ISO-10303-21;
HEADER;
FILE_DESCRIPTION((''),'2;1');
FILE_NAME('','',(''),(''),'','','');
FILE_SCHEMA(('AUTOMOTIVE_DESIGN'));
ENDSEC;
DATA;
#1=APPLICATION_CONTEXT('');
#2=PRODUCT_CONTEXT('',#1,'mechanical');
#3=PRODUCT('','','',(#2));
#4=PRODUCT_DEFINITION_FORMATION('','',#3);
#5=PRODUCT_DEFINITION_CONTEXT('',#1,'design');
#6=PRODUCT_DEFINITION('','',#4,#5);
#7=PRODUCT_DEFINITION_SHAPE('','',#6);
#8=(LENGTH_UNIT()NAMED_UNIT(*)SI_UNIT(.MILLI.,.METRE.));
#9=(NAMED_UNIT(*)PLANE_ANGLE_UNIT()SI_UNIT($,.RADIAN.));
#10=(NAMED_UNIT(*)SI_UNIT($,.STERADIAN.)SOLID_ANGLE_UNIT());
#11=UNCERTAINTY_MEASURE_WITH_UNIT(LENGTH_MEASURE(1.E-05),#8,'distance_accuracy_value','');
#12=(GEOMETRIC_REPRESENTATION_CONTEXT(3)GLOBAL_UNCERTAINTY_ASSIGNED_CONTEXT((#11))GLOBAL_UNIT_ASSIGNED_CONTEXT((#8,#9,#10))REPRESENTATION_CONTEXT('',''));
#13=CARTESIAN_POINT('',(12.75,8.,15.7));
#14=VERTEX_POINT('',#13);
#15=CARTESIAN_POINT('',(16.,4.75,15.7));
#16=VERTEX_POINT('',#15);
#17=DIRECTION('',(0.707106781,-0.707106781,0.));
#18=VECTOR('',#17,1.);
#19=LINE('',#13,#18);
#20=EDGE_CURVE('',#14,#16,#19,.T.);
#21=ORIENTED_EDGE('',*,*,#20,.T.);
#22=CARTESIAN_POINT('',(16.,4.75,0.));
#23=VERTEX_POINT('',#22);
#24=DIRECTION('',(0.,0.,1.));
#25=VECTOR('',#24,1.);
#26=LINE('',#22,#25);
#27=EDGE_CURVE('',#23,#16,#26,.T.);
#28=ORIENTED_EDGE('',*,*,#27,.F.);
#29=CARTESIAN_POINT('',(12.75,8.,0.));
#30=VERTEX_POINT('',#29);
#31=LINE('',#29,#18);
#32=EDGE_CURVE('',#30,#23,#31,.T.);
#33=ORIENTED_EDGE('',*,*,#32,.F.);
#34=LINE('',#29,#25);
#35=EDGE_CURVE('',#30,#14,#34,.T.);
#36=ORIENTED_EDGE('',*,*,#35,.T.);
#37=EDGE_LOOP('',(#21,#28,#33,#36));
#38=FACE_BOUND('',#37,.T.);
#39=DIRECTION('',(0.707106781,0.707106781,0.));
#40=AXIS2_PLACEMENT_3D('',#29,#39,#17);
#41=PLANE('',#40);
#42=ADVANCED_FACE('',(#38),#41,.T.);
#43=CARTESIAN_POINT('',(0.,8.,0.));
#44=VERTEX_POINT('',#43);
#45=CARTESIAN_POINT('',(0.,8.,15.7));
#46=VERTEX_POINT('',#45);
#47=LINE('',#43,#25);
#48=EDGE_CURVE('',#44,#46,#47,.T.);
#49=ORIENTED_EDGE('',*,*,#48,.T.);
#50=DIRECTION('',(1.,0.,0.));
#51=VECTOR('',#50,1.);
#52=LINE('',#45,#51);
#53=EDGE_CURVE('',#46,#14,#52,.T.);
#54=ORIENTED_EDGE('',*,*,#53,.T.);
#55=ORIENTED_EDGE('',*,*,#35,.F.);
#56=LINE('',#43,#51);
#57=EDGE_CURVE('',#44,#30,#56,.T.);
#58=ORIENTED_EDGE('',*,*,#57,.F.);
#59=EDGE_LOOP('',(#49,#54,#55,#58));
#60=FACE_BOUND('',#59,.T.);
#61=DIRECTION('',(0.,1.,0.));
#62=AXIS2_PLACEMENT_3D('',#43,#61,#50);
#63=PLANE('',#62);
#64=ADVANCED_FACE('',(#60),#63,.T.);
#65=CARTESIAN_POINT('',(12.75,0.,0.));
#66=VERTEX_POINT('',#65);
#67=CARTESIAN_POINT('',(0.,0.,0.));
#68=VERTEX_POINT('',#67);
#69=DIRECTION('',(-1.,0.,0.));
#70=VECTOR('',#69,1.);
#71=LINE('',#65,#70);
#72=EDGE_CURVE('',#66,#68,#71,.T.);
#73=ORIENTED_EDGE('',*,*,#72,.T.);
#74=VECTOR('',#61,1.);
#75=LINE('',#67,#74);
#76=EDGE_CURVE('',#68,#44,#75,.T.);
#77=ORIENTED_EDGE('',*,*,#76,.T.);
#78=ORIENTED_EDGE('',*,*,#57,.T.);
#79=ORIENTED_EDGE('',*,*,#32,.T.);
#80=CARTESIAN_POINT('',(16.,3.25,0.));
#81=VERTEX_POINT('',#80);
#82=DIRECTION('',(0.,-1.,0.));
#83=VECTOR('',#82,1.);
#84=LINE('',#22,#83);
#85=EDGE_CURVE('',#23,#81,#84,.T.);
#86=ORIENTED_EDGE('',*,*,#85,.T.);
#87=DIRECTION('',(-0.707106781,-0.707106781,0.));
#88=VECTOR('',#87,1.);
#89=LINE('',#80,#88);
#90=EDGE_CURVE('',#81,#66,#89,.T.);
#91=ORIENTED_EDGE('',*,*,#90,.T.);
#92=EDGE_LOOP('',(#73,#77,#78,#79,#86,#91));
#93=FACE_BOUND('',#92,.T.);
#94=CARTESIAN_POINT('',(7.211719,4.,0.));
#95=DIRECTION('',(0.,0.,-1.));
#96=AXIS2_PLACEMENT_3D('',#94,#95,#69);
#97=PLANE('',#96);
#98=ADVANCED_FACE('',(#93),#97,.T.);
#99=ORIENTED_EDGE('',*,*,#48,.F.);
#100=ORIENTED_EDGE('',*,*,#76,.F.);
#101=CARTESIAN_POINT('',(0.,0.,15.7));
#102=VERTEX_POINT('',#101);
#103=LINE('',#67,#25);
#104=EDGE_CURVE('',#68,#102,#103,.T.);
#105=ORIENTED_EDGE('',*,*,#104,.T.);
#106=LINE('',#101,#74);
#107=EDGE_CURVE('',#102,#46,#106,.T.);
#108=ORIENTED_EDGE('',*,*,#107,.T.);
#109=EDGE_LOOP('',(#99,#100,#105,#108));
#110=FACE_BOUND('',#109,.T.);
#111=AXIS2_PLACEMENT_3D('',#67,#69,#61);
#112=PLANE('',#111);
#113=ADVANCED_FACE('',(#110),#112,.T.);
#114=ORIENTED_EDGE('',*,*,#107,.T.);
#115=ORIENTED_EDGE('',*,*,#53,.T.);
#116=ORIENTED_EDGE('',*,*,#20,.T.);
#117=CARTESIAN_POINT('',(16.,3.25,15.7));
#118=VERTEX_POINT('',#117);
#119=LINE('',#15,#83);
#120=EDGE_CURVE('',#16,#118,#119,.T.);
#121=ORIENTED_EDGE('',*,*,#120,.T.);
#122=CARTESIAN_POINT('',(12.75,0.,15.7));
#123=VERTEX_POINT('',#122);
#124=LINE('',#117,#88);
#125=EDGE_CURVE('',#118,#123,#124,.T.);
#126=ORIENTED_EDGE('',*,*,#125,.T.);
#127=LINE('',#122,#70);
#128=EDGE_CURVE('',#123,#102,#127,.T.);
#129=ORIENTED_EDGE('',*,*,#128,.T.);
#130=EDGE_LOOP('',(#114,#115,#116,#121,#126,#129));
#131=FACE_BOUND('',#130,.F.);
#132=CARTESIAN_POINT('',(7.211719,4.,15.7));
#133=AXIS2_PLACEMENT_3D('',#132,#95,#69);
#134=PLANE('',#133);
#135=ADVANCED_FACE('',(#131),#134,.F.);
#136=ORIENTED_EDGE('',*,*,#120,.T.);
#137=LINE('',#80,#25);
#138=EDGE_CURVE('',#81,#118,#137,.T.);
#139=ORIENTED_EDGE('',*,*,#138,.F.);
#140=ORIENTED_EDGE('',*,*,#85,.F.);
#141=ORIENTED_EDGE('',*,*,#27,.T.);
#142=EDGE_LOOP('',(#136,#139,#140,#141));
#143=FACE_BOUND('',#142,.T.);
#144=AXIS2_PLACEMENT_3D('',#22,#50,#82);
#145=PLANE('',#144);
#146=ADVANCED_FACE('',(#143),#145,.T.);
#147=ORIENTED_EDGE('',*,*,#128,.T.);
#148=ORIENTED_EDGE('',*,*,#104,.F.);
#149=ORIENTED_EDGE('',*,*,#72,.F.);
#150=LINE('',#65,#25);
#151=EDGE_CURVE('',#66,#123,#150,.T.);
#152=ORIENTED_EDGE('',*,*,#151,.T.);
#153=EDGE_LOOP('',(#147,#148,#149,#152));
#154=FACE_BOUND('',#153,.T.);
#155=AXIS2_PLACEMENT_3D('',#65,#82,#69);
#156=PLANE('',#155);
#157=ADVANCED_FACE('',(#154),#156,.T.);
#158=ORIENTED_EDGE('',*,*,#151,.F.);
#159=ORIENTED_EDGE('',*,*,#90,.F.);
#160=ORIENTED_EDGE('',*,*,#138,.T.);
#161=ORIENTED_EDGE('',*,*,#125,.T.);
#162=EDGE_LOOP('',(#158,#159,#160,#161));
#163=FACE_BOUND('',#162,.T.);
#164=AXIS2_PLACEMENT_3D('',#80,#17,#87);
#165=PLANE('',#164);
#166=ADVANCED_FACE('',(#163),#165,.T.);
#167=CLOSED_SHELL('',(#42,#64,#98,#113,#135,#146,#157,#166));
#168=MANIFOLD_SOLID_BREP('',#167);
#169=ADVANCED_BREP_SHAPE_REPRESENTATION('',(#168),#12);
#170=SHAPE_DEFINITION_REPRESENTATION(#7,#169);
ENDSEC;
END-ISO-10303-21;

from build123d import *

# Parameters (mm, degrees)
PAD_DEPTH = 15.7


with BuildPart() as part:
    # Sketch → Pad (new body)
    with BuildSketch(Plane.XY):
        Polygon((0, 0), (0, 8), (12.75, 8), (16, 4.75), (16, 3.25), (12.75, 0), align=None)
    extrude(amount=PAD_DEPTH)


solid = part.part
